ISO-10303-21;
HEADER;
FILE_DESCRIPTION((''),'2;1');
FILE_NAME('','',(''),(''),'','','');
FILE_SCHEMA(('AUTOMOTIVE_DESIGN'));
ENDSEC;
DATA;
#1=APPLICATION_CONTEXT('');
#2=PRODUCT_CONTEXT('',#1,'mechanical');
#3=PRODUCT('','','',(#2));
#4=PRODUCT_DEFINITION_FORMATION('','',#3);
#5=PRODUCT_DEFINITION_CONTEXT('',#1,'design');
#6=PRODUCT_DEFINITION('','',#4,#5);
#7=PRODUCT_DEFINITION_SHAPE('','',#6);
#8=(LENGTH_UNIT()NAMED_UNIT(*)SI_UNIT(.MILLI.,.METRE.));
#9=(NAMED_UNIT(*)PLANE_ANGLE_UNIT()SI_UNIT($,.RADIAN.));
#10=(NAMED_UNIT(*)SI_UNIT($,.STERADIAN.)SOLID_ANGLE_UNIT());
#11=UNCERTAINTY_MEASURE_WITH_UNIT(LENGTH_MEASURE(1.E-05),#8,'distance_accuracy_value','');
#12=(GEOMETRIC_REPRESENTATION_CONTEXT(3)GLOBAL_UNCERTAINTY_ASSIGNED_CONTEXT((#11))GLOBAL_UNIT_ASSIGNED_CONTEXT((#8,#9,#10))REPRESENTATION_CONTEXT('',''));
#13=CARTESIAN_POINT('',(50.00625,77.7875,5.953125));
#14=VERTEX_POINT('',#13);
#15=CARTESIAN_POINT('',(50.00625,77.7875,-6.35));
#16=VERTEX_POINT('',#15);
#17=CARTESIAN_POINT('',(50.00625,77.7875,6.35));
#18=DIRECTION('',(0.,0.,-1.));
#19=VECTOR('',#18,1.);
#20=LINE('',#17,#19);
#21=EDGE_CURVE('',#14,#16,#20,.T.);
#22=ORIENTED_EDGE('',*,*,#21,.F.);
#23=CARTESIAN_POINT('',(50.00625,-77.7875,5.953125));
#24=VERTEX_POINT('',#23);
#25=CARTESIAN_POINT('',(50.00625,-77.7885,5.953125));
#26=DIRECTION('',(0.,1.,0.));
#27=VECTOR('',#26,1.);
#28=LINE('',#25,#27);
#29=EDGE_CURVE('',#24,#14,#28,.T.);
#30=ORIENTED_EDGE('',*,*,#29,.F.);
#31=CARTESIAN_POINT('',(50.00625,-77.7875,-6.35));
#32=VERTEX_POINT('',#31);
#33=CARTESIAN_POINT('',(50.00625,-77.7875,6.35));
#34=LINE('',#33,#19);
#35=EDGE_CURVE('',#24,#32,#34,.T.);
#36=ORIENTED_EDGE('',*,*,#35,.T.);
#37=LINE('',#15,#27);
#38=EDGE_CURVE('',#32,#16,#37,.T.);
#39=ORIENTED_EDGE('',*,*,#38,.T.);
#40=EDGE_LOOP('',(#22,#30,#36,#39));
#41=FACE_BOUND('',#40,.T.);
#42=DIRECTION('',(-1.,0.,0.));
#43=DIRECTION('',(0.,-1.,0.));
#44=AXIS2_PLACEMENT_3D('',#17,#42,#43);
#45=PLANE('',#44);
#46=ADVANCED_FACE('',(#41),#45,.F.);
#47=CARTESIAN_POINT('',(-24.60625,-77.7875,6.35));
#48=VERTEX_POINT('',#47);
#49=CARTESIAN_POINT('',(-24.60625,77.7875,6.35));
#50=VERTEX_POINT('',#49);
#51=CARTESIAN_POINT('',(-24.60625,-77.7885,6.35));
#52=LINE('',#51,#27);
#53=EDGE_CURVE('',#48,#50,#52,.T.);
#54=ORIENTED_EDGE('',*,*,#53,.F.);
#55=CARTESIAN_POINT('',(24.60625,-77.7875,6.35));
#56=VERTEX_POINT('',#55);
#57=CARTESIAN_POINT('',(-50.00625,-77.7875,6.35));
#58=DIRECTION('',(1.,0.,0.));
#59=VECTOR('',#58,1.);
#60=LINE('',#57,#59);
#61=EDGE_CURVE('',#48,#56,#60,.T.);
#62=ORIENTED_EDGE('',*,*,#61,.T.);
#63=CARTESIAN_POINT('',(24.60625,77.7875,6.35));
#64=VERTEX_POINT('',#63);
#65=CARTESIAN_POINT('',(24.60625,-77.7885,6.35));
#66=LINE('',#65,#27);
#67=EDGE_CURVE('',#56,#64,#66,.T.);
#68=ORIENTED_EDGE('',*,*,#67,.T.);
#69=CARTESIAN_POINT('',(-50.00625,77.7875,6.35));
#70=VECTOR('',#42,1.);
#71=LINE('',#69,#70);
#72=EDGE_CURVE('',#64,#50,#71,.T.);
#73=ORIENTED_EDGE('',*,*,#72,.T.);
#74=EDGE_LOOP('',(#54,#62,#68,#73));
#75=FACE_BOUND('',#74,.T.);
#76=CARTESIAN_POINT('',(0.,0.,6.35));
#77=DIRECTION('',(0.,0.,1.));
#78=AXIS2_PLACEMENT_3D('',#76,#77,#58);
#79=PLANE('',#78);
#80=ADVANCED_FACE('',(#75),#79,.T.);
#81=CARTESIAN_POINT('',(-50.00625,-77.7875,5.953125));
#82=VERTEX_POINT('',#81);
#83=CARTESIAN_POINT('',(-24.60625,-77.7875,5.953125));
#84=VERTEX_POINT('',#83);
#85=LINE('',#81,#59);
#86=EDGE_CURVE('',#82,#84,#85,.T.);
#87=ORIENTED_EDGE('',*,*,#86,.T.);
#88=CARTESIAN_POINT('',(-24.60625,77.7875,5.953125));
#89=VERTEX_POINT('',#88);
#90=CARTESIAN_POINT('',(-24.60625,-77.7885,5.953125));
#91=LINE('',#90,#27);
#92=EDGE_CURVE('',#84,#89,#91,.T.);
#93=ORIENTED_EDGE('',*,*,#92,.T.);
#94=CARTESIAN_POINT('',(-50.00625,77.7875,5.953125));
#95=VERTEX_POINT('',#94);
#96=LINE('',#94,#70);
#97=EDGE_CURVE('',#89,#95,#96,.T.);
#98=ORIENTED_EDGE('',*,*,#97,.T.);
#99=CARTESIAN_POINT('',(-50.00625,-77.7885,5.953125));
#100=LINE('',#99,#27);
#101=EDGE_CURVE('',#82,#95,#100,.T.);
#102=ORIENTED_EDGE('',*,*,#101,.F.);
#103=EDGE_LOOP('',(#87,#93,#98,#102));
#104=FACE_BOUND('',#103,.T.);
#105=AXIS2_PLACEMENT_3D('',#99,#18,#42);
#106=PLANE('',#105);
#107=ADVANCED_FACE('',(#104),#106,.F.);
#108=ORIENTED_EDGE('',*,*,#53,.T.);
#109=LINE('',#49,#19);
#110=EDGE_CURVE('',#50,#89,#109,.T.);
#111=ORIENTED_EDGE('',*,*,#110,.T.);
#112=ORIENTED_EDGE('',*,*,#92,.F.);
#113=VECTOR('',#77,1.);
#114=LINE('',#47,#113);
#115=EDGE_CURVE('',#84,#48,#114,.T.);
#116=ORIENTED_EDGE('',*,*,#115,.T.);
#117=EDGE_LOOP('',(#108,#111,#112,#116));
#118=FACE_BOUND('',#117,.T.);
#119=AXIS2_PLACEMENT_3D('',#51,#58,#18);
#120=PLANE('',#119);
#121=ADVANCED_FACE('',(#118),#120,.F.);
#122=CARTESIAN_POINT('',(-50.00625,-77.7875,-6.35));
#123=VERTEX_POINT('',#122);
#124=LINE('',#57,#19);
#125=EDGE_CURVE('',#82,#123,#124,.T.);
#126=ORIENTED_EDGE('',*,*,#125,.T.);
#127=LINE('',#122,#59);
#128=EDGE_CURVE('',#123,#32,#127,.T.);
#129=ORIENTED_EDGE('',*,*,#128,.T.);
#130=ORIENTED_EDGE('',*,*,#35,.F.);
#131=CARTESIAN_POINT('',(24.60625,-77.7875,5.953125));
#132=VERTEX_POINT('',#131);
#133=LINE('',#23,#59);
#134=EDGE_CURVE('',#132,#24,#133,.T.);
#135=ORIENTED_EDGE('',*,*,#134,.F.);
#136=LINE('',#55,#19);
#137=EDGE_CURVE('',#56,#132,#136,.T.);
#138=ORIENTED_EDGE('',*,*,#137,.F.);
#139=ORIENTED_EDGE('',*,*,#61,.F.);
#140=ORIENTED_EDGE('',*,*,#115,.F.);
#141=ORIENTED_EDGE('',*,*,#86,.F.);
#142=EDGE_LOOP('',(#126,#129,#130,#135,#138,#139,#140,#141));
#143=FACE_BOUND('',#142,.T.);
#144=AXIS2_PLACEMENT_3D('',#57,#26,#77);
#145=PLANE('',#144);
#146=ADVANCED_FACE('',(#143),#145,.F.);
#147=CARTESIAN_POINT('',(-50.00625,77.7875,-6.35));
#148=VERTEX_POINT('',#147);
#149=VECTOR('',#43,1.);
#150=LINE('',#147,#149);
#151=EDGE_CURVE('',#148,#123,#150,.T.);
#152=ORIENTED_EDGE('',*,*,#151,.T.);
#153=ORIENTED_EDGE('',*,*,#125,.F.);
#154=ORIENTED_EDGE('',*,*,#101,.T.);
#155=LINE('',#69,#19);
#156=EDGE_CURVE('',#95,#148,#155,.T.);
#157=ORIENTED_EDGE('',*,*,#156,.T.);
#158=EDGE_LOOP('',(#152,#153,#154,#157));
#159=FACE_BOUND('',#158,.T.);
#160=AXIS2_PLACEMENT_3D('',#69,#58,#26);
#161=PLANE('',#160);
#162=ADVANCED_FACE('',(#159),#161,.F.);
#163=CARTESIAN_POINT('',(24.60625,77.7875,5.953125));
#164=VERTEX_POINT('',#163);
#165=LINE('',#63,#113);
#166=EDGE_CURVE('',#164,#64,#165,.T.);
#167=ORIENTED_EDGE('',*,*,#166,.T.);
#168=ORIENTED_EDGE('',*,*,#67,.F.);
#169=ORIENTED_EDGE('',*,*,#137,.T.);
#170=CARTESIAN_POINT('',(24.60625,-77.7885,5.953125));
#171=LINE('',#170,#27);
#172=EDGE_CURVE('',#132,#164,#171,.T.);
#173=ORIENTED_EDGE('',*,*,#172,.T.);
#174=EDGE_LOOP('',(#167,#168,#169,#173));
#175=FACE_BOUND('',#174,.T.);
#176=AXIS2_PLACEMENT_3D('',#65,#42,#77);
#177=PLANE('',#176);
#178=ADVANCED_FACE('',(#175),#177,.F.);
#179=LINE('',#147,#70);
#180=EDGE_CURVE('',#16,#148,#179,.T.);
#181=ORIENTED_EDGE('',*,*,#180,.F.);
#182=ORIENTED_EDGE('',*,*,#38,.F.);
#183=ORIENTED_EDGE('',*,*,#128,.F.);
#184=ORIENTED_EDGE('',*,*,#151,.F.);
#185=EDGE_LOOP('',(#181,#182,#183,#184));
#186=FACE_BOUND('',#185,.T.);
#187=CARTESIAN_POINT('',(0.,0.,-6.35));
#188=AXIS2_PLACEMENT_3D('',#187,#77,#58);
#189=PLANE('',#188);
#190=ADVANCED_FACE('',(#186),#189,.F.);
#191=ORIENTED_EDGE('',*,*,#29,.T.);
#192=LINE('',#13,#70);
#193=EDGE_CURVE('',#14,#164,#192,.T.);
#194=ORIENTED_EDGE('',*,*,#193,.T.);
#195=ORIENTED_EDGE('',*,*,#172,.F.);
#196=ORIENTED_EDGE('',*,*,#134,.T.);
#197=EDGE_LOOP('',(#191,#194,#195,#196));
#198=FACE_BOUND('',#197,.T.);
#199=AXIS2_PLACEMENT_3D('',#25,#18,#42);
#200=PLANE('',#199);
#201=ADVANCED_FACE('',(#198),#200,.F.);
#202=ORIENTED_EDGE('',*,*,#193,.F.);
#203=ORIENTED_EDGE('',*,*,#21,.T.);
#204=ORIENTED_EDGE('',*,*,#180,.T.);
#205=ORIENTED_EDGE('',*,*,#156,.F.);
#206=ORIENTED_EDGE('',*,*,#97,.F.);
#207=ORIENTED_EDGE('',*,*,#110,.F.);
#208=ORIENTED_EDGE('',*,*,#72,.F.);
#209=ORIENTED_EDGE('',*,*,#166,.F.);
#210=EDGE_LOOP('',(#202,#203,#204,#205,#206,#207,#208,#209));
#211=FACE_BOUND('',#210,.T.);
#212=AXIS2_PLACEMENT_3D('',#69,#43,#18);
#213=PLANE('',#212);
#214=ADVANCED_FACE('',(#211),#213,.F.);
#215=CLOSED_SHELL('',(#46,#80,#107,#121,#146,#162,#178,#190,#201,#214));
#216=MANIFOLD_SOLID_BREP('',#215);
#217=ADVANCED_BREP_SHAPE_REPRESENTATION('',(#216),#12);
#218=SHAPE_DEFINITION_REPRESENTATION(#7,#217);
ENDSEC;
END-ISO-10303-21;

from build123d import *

# Parameters (mm, degrees)
SKETCH1_W           = 100.0125
SKETCH1_H           = 155.575
BOSS_EXTRUDE1_DEPTH = 6.35
CUT_EXTRUDE1_REACH  = 157.575
SKETCH4_W           = 25.4
SKETCH4_H           = 0.396875


with BuildPart() as part:
    # Sketch1 → Boss-Extrude1 (new body, symmetric)
    with BuildSketch(Plane.XY):
        Rectangle(SKETCH1_W, SKETCH1_H)
    extrude(amount=BOSS_EXTRUDE1_DEPTH, both=True)

    # Sketch4 → Cut-Extrude1 (cut, up to next)
    with BuildSketch(Plane(origin=(0, 77.7875, 0), x_dir=(1, 0, 0), z_dir=(0, 1, 0)), mode=Mode.PRIVATE) as cut_extrude1_sk1:
        with Locations((-37.30625, -6.1515625)):
            Rectangle(SKETCH4_W, SKETCH4_H)
    cut_extrude1_tool1 = extrude(cut_extrude1_sk1.sketch, amount=-CUT_EXTRUDE1_REACH, mode=Mode.PRIVATE) & part.part
    add(cut_extrude1_tool1.solids().sort_by_distance((-37.30625, 77.7875, 6.151562))[0], mode=Mode.SUBTRACT)
    # Sketch4 → Cut-Extrude1 (cut, up to next)
    with BuildSketch(Plane(origin=(0, 77.7875, 0), x_dir=(1, 0, 0), z_dir=(0, 1, 0)), mode=Mode.PRIVATE) as cut_extrude1_sk2:
        with Locations((37.30625, -6.1515625)):
            Rectangle(SKETCH4_W, SKETCH4_H)
    cut_extrude1_tool2 = extrude(cut_extrude1_sk2.sketch, amount=-CUT_EXTRUDE1_REACH, mode=Mode.PRIVATE) & part.part
    add(cut_extrude1_tool2.solids().sort_by_distance((37.30625, 77.7875, 6.151563))[0], mode=Mode.SUBTRACT)


solid = part.part
